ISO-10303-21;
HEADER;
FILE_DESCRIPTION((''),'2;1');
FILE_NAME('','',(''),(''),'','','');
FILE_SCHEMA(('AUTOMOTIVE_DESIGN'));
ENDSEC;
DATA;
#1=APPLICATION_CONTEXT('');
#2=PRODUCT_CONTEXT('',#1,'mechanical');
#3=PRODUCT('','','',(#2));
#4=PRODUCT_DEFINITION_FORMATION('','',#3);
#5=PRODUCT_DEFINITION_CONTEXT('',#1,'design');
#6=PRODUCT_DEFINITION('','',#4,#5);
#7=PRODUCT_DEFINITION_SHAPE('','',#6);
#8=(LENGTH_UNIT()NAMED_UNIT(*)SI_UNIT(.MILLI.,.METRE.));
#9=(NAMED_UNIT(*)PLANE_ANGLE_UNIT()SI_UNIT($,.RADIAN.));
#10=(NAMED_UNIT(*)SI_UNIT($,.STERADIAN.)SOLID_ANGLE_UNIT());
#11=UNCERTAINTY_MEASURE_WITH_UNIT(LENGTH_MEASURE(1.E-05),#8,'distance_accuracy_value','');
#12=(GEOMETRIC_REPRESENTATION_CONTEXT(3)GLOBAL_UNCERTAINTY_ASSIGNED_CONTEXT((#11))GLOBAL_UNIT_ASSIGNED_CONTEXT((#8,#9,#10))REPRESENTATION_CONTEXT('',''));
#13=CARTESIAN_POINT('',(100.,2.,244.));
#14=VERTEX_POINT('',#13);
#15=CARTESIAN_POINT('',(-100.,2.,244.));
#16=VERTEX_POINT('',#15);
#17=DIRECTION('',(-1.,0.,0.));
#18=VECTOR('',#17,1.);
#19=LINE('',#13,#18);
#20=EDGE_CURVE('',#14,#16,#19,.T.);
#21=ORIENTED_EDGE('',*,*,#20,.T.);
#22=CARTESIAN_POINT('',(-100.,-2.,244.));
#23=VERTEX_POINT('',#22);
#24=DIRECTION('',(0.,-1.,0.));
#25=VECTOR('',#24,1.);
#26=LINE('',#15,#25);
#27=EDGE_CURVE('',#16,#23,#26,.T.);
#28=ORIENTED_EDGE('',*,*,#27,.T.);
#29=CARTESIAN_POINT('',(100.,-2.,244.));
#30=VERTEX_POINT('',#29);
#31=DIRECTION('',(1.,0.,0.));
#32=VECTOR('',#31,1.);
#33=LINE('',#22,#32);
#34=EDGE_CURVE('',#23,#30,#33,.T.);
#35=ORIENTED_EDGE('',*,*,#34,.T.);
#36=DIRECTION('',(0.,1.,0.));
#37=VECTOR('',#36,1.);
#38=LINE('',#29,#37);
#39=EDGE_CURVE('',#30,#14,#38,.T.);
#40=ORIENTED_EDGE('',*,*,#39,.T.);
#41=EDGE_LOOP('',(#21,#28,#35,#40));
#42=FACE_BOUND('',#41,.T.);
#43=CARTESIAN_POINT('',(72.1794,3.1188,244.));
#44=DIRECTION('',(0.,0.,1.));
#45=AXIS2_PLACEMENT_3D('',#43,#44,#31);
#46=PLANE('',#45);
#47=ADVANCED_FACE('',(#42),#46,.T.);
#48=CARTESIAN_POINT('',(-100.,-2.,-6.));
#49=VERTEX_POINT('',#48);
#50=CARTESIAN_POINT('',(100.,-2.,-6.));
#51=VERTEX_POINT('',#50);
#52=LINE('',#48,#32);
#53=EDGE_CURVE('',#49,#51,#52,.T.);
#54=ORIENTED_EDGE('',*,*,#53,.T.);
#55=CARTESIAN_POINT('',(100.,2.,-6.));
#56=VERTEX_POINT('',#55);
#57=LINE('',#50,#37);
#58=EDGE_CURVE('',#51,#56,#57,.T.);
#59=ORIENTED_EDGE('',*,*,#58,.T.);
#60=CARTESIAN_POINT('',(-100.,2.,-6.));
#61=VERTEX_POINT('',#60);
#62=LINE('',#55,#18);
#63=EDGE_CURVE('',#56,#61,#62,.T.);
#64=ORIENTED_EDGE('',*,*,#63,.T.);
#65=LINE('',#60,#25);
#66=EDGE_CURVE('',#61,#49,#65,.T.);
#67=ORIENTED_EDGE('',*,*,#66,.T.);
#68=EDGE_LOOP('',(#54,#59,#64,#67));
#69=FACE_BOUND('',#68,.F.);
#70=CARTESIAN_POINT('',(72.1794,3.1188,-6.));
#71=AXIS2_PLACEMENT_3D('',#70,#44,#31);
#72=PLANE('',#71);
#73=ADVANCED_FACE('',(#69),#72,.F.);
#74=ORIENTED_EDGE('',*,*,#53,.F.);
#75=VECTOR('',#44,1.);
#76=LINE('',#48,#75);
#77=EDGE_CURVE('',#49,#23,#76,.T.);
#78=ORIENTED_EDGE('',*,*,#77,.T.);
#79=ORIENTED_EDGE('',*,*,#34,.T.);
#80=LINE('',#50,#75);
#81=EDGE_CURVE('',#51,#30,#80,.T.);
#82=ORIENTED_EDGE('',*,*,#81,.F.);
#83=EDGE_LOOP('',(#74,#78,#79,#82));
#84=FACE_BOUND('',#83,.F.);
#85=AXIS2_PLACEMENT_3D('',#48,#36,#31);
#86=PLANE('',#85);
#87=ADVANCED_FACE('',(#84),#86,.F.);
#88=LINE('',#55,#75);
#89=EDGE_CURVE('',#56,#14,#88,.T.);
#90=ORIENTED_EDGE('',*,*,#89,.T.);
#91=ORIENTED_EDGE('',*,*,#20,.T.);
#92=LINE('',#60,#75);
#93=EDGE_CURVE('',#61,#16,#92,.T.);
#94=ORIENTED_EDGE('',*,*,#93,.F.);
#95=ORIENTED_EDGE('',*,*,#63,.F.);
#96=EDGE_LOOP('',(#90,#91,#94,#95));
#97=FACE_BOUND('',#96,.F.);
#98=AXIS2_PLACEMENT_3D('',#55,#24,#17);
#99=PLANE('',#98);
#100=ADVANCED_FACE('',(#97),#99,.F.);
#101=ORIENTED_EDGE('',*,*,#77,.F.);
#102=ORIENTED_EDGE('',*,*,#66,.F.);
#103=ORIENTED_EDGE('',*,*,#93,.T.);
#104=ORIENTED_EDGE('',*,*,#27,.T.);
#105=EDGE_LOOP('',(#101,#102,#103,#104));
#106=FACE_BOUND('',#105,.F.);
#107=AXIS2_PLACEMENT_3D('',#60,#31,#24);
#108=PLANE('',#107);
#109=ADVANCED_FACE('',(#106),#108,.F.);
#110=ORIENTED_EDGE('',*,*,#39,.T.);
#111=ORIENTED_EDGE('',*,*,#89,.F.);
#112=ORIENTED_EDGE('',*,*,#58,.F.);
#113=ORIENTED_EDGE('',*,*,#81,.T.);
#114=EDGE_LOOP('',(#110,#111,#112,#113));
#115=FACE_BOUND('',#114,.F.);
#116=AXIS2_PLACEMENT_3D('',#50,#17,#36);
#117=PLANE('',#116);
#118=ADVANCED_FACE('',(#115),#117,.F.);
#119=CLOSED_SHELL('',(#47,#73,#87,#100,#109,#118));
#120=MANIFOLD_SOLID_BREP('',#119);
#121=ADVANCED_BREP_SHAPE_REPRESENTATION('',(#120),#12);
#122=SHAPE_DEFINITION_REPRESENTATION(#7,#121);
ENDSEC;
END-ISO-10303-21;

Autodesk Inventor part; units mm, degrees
ref_plane "YZ Plane" through (0, 0, 0) normal (1, 0, 0) x (0, 1, 0)
ref_plane "XZ Plane" through (0, 0, 0) normal (0, 1, 0) x (-1, 0, 0)
ref_plane "XY Plane" through (0, 0, 0) normal (0, 0, 1) x (1, 0, 0)
ref_plane "РабПлоскость1" through (72.1794, 3.1188, -6) normal (0, 0, 1) x (1, 0, 0)
sketch "Эскиз1" plane through (72.1794, 3.1188, -6) normal (0, 0, 1) x (1, 0, 0)
  ellipse E0 centre (-72.1794, -3.1188) end of major axis (-192.177, -2.3565) minor radius 79.9991 projected
  line L0 (27.8206, -1.1188) -> (-172.1794, -1.1188)
  line L1 (-172.1794, -1.1188) -> (-172.1794, -5.1188)
  line L2 (-172.1794, -5.1188) -> (27.8206, -5.1188)
  line L3 (27.8206, -5.1188) -> (27.8206, -1.1188)
  line L4 (27.8206, -1.1188) -> (-172.1794, -5.1188) construction
  line L5 (-172.1794, -1.1188) -> (27.8206, -5.1188) construction
  line L6 (-246.043, 0) -> (103.957, 0) projected
  dimension "d4" = 200
  dimension "d5" = 4
extrude "Выдавливание1" add sketch "Эскиз1" along normal blind 250 contours L3 L2 L1 L0
properties part number "Опорная грань"
